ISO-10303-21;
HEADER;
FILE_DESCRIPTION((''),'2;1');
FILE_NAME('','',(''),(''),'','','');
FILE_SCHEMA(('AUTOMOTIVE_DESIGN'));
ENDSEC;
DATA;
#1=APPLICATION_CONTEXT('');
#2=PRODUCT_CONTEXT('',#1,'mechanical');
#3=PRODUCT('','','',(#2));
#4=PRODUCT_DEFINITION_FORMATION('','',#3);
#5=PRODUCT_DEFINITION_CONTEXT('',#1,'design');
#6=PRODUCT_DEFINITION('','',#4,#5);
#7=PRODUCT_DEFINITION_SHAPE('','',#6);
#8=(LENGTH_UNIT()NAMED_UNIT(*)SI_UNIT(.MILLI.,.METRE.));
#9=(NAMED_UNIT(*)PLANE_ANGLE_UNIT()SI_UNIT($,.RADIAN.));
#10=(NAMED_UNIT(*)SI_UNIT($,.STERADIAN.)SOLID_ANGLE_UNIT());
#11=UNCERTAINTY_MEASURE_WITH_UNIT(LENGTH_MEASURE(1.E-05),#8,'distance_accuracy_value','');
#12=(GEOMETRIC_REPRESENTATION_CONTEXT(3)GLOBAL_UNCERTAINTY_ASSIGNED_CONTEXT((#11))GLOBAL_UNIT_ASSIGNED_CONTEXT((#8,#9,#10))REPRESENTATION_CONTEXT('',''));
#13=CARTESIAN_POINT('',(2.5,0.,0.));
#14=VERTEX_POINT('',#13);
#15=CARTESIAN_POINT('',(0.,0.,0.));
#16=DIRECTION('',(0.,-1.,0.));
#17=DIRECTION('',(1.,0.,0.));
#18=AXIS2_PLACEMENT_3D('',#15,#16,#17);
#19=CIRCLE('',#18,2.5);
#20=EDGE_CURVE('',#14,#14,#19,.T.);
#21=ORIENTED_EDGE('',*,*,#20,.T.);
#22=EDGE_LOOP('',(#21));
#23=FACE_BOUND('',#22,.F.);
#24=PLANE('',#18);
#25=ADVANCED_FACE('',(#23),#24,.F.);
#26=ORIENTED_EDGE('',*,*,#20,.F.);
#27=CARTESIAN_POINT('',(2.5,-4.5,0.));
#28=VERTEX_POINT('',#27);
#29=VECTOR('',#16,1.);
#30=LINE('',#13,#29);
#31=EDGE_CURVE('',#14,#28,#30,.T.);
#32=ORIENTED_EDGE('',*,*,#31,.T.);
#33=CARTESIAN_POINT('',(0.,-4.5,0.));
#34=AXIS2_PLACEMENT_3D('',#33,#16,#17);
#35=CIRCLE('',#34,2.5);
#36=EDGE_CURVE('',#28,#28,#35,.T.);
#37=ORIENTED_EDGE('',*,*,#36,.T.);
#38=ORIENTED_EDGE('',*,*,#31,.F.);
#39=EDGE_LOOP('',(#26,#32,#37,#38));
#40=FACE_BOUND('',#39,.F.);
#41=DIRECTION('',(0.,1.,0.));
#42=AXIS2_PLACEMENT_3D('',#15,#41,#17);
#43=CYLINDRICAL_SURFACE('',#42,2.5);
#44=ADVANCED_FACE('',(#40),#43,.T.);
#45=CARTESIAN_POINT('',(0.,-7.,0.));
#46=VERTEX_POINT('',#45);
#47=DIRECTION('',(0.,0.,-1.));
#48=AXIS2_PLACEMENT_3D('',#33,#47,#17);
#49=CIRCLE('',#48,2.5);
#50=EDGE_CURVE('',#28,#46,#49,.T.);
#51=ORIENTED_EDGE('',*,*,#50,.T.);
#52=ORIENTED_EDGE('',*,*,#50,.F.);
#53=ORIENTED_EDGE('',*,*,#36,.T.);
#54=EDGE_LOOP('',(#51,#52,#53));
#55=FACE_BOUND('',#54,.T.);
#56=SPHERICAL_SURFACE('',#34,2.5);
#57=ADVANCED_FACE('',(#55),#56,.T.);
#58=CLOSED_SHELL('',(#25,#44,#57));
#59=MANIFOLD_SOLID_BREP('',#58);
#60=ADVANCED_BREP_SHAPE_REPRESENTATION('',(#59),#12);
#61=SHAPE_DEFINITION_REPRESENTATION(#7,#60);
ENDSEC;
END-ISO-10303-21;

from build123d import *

# Parameters (mm, degrees)
F0_R     = 2.5
F1_DEPTH = 7
F2_R     = 2.5


with BuildPart() as f1:
    # F0 (on Front) → F1 (new body)
    with BuildSketch(Plane.XZ):
        Circle(F0_R)
    extrude(amount=F1_DEPTH)

    # F2
    f2_edges = [f1.edges().sort_by_distance(p)[0] for p in [
        (-2.5, -7, 0),
    ]]
    fillet(f2_edges, radius=F2_R)


solid = f1.part
